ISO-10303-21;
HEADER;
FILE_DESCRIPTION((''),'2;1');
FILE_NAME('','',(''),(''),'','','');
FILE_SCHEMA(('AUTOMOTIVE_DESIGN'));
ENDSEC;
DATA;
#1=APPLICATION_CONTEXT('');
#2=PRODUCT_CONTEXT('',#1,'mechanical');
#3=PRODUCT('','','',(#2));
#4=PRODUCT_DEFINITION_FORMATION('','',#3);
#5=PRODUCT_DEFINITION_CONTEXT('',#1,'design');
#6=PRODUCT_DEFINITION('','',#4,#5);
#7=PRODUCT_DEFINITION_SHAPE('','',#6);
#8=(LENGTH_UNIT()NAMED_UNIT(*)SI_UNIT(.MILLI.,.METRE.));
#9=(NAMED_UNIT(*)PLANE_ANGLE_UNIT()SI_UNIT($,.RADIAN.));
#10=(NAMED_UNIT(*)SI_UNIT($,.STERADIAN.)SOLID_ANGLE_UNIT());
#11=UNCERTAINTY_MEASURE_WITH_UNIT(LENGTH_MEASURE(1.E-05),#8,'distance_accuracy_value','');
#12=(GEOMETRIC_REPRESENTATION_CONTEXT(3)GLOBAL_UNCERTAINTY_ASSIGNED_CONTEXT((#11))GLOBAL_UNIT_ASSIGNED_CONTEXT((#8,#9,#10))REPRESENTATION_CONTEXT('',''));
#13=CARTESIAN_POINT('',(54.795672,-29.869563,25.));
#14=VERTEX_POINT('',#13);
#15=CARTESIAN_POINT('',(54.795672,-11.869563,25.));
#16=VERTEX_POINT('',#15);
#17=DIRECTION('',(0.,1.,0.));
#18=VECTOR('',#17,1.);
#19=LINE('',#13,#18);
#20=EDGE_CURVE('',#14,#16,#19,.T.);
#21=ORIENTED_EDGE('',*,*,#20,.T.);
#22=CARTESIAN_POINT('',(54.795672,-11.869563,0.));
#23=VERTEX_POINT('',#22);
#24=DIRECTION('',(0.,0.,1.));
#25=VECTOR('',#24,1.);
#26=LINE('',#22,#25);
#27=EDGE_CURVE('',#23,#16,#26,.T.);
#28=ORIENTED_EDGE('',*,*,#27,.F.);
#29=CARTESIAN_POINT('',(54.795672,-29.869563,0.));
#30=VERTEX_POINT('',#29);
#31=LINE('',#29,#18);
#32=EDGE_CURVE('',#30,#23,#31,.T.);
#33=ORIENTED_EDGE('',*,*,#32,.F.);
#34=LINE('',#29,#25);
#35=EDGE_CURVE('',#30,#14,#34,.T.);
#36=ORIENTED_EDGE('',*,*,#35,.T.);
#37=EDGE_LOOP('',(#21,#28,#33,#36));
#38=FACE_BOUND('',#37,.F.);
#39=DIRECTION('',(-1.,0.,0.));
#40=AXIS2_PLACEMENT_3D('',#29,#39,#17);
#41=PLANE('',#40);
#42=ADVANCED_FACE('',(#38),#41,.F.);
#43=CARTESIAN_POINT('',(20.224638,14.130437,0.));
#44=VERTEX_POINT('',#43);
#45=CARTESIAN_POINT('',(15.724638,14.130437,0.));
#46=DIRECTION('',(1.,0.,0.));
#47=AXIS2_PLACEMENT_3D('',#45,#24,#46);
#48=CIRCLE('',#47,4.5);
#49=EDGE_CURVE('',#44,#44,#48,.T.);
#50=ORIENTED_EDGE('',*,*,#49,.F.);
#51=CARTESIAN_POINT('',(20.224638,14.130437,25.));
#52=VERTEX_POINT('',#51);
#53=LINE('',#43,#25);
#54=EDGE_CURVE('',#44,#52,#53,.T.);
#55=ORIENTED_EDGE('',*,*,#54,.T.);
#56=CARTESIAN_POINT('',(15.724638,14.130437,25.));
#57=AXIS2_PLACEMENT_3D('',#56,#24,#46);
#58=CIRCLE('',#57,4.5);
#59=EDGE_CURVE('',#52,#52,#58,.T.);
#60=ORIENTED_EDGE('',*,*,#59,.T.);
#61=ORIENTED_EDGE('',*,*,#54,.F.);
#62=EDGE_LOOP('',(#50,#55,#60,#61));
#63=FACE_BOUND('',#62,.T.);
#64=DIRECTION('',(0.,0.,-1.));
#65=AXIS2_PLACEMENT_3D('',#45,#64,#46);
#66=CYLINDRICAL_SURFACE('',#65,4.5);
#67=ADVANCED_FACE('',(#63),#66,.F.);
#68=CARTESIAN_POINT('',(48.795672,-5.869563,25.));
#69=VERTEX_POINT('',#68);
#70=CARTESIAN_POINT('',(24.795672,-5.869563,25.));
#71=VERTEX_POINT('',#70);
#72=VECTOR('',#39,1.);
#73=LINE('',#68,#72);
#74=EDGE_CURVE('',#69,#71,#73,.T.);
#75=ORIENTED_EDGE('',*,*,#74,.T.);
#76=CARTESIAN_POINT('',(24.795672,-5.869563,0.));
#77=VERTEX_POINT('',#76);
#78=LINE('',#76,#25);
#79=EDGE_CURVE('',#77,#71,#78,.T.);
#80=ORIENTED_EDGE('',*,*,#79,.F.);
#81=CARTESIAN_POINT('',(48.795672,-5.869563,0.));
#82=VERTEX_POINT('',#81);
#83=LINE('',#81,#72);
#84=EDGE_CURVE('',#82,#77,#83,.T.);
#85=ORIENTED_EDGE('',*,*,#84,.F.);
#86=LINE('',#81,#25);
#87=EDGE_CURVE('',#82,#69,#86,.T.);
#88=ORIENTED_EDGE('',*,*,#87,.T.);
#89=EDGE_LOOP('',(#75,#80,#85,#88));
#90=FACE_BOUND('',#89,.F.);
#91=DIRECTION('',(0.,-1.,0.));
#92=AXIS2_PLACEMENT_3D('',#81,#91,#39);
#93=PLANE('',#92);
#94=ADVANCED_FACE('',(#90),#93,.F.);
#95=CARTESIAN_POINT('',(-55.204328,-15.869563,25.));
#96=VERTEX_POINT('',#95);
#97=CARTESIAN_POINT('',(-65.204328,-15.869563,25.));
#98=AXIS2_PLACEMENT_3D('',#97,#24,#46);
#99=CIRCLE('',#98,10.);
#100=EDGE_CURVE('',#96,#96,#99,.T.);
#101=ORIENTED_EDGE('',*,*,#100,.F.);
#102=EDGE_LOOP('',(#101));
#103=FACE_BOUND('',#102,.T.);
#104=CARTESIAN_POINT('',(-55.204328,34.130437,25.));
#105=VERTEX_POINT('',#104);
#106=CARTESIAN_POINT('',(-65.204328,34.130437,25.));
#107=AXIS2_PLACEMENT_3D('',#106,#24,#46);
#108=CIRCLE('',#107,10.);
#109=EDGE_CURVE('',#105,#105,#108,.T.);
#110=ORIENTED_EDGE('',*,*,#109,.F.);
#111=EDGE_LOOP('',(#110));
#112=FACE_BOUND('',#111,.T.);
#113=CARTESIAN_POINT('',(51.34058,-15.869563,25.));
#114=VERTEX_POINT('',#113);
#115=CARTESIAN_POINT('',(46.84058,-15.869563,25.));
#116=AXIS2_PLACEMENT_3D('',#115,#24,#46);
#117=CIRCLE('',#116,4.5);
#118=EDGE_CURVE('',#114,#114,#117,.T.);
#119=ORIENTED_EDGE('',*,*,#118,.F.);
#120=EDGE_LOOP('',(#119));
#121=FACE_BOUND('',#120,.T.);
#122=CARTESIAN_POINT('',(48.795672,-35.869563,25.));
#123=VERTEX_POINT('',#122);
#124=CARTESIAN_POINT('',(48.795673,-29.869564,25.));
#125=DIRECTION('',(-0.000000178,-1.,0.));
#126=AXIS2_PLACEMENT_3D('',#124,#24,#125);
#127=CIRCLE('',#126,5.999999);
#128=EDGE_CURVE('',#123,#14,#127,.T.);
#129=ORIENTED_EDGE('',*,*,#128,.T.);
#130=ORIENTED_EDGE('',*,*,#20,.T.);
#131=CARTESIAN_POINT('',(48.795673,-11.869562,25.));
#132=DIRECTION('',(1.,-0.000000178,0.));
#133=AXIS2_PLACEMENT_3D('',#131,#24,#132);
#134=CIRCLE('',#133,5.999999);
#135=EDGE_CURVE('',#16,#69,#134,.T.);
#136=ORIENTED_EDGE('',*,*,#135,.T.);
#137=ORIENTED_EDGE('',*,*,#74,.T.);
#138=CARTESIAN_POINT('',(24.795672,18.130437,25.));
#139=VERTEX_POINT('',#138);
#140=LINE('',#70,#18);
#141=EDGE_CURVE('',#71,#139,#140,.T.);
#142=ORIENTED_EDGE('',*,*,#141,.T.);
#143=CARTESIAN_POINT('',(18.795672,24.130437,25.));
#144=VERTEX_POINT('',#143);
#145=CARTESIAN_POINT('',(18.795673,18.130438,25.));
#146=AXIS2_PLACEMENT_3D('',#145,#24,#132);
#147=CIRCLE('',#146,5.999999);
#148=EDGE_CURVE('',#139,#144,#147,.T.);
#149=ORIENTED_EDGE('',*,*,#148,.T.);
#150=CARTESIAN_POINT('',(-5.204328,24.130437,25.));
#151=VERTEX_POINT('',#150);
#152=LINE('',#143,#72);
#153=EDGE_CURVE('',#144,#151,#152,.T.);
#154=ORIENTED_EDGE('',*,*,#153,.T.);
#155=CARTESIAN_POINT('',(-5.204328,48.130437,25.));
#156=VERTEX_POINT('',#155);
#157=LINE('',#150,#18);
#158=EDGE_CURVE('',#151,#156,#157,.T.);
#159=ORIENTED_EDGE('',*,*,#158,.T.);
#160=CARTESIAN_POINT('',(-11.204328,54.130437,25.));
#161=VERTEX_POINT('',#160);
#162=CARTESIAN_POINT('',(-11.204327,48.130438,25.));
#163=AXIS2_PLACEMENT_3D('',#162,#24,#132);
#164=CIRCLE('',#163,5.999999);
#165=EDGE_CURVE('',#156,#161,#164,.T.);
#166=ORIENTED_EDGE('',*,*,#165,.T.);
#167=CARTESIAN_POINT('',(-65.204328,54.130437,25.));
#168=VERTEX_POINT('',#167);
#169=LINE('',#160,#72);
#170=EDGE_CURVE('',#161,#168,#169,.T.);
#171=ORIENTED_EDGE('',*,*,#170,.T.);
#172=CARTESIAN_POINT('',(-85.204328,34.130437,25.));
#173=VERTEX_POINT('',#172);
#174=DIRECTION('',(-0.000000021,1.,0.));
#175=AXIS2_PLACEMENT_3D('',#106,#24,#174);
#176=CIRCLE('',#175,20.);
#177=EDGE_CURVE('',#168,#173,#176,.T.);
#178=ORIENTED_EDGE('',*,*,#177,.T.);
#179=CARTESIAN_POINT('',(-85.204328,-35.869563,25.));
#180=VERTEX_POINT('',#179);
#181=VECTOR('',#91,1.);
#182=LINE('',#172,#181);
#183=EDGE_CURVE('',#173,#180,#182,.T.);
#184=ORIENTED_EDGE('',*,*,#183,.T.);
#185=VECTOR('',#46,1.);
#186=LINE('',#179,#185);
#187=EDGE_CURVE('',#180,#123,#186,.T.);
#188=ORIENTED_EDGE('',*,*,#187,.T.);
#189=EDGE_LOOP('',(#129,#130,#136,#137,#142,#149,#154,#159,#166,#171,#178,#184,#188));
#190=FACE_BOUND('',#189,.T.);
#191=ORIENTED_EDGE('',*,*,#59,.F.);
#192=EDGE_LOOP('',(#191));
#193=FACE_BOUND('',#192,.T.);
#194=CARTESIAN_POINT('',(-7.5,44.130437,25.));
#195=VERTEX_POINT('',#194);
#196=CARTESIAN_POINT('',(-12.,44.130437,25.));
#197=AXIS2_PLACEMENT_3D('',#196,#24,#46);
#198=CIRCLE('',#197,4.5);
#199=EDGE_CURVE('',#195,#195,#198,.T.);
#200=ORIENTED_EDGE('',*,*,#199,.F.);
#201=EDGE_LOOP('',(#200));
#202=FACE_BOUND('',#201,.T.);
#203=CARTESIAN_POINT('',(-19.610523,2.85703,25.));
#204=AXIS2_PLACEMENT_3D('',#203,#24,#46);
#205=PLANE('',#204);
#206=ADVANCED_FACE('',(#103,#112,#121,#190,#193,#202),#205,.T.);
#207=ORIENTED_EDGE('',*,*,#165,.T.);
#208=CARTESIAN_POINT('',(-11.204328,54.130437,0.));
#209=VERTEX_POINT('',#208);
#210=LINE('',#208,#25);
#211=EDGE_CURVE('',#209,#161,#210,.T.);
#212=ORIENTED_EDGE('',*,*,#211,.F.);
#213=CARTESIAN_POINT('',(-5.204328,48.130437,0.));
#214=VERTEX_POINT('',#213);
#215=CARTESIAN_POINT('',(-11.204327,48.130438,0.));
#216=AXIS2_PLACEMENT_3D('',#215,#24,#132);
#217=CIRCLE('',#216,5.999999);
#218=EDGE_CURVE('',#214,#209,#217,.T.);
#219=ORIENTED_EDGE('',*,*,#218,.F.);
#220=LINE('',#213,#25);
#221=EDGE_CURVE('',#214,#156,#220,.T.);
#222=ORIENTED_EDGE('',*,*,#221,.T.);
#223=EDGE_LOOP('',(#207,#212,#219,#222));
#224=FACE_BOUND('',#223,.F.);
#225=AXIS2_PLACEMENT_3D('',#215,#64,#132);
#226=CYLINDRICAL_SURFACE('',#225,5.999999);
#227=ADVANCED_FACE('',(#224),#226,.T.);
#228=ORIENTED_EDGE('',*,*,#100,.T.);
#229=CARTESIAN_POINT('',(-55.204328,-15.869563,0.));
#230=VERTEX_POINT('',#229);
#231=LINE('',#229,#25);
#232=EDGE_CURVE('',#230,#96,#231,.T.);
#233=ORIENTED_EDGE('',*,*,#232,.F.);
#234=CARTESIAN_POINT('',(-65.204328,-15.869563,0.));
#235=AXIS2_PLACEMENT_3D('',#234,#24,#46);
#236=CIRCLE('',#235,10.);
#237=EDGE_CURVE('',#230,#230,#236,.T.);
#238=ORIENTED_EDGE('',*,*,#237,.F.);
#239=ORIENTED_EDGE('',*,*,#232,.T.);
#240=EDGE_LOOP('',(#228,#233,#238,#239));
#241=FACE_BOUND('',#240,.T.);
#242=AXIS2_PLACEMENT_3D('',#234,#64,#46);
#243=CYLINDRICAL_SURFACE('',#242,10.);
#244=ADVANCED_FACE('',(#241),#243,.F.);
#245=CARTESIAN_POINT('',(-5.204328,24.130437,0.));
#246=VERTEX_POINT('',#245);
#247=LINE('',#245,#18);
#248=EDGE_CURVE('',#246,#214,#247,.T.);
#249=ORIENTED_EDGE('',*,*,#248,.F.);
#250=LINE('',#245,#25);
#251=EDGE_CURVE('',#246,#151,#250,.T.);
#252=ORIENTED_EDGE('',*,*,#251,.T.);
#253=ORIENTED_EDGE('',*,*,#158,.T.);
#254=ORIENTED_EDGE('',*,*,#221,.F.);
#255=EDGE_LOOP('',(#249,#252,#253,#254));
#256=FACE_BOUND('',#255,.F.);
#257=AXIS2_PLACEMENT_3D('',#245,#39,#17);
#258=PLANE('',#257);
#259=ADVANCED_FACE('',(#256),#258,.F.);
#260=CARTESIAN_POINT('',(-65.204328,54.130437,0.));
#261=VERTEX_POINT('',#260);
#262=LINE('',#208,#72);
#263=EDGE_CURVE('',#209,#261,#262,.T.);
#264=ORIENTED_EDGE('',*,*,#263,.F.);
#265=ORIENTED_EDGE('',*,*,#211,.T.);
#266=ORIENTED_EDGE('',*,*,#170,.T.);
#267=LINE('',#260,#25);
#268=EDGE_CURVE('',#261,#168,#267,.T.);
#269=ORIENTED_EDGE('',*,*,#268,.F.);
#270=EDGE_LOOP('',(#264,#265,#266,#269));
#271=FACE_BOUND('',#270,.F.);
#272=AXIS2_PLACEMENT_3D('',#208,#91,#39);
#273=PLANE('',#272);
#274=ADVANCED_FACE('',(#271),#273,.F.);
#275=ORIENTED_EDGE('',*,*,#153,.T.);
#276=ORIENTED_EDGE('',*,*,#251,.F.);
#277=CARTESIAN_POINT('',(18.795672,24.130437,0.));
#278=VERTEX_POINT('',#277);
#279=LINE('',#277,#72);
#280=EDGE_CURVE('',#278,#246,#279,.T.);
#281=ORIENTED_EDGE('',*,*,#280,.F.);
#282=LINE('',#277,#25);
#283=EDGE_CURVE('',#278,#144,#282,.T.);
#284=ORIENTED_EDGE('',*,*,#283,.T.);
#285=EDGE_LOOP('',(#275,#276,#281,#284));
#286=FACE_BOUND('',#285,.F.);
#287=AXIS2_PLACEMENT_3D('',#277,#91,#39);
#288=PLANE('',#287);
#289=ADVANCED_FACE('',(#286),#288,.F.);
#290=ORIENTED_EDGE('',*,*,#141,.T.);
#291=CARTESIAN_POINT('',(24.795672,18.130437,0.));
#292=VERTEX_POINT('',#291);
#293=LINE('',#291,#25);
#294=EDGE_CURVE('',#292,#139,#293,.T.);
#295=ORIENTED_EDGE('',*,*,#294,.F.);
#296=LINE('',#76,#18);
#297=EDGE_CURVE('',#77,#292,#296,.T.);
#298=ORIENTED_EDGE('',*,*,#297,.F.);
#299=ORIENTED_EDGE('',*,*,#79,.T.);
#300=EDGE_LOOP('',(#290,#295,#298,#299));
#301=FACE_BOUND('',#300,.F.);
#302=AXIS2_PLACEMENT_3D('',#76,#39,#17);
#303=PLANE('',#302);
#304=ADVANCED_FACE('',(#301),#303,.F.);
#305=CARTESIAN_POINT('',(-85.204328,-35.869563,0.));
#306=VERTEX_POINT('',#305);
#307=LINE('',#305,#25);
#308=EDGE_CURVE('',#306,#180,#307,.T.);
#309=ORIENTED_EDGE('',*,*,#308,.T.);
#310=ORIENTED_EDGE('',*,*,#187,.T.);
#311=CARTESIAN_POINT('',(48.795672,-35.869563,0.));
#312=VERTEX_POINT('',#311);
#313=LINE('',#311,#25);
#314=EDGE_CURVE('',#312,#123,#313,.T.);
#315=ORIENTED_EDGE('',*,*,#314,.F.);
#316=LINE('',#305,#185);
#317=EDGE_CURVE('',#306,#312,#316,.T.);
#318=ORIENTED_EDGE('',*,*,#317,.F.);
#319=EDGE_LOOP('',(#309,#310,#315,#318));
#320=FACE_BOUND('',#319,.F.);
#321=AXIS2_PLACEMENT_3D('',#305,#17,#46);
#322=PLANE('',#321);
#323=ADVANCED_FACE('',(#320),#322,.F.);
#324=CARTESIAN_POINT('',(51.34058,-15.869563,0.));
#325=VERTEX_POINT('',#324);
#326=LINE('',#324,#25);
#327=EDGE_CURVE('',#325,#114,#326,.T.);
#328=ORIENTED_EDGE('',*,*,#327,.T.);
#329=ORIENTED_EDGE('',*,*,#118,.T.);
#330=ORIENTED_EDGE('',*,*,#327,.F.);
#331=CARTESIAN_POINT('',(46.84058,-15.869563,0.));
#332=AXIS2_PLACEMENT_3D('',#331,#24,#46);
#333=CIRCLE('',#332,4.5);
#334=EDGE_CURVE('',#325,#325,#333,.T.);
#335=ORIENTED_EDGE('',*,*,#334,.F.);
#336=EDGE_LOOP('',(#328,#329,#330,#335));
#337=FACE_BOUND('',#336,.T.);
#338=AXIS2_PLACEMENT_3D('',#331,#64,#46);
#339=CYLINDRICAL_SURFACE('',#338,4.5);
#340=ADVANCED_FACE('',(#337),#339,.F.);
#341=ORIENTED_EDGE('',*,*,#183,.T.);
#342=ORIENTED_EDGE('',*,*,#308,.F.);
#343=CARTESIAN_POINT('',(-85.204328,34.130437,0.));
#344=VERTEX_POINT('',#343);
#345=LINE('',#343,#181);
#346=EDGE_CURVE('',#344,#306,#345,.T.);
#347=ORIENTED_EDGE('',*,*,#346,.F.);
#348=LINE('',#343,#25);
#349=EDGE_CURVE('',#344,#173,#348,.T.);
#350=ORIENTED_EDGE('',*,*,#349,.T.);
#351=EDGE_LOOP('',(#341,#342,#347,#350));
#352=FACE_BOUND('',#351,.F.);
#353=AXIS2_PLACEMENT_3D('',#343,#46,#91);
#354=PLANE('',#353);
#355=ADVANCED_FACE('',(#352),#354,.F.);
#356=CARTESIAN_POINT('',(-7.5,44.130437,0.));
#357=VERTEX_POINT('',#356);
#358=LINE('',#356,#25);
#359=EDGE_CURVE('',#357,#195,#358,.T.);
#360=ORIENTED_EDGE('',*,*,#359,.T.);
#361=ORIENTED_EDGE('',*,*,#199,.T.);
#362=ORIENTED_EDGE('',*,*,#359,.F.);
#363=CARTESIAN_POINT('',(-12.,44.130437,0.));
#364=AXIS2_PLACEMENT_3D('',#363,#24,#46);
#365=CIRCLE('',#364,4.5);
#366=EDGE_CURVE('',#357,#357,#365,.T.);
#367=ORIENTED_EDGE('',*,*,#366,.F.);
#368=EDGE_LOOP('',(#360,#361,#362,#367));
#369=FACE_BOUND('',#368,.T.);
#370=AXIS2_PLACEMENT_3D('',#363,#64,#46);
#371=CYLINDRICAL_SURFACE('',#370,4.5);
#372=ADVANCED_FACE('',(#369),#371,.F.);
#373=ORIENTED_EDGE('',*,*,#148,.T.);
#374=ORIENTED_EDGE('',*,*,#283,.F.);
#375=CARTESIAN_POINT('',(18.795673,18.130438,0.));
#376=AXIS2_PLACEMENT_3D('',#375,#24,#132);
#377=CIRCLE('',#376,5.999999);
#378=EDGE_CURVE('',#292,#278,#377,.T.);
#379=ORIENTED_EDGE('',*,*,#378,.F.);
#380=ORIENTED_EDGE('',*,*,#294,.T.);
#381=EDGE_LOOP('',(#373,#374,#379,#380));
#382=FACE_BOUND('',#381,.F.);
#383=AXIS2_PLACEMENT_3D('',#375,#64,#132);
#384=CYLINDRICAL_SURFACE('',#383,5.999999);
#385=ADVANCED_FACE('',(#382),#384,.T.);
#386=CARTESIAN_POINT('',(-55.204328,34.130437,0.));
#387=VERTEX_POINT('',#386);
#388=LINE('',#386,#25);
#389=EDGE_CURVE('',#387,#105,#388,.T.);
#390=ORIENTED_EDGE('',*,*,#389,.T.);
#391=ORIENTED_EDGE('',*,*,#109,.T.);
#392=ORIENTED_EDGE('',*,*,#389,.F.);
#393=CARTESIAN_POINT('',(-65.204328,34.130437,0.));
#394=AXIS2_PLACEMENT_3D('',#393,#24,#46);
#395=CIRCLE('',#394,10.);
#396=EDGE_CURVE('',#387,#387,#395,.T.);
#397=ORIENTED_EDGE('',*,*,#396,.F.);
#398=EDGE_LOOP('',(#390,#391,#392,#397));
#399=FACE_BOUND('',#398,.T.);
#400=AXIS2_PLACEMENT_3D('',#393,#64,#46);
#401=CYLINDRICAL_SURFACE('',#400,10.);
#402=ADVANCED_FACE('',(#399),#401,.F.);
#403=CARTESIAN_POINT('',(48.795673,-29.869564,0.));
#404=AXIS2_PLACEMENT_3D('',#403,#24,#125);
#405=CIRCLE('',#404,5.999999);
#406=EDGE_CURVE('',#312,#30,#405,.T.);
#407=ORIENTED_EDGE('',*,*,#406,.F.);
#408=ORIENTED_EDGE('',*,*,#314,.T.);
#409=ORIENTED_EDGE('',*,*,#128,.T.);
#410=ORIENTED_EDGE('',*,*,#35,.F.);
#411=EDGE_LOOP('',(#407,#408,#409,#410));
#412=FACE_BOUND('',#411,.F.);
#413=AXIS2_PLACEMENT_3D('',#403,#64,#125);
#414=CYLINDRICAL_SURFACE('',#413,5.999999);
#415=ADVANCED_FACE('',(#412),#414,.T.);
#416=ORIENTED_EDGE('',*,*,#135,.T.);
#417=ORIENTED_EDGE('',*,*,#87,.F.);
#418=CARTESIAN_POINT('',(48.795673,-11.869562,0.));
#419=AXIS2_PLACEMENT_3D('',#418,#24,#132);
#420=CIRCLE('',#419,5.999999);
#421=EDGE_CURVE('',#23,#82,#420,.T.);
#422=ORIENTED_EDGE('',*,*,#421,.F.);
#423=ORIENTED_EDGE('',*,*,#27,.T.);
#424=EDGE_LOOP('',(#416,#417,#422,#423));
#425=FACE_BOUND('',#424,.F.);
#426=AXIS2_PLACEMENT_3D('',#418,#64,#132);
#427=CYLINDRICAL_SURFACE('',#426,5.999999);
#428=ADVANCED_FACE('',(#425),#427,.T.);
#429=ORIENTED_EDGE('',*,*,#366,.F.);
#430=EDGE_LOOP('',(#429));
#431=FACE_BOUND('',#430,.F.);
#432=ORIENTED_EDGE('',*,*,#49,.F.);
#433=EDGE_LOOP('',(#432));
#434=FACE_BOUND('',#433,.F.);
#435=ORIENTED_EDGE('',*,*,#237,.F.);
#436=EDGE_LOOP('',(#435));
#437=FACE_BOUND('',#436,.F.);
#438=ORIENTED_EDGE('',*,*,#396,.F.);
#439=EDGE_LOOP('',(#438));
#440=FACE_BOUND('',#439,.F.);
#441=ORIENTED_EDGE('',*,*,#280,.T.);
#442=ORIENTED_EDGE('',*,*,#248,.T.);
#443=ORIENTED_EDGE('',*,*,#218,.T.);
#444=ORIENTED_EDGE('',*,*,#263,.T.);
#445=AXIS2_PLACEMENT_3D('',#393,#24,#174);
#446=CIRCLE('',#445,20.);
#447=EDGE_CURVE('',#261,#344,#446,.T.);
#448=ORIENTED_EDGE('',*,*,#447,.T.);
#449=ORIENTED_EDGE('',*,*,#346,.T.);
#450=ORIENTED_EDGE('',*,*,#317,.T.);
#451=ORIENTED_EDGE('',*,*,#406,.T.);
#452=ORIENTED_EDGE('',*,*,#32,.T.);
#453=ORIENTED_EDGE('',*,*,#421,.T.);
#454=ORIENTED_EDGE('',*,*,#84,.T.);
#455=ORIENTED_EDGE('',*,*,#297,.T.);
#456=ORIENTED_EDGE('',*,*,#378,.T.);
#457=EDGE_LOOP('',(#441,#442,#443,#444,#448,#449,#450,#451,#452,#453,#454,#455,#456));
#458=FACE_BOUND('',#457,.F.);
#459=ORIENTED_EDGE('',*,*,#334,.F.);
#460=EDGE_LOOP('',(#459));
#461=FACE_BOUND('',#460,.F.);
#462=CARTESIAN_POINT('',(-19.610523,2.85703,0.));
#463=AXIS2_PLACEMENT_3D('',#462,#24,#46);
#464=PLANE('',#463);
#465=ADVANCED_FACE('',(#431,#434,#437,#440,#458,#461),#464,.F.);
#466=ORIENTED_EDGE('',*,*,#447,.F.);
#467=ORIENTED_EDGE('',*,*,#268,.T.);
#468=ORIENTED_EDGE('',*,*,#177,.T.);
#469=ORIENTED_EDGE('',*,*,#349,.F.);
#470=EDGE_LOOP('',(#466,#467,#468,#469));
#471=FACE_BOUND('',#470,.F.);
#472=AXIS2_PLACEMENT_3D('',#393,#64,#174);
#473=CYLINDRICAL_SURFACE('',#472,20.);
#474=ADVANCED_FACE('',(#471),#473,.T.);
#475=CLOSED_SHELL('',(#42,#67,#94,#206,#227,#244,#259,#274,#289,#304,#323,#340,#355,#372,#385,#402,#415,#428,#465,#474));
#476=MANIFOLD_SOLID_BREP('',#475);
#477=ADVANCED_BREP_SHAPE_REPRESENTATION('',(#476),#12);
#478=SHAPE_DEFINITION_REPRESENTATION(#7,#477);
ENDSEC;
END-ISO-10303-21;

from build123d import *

# Parameters (mm, degrees)
F0_R     = 10
F0_R_2   = 4.5
F1_DEPTH = 25


with BuildPart() as f1:
    # F0 (on Top) → F1 (new body)
    with BuildSketch(Plane.XY):
        with BuildLine():
            ThreePointArc((-65.204328, 54.130437), (-79.346463, 48.272573), (-85.204328, 34.130437))
            Line((-85.204328, 34.130437), (-85.204328, -15.869563))
            ThreePointArc((-85.204328, -15.869563), (-79.346463, -30.011699), (-65.204328, -35.869563))
            Line((-65.204328, -35.869563), (48.795672, -35.869563))
            ThreePointArc((48.795672, -35.869563), (53.038313, -34.112204), (54.795672, -29.869563))
            Line((54.795672, -29.869563), (54.795672, -11.869563))
            ThreePointArc((54.795672, -11.869563), (53.038313, -7.626922), (48.795672, -5.869563))
            Line((48.795672, -5.869563), (24.795672, -5.869563))
            Line((24.795672, -5.869563), (24.795672, 18.130437))
            ThreePointArc((24.795672, 18.130437), (23.038313, 22.373078), (18.795672, 24.130437))
            Line((18.795672, 24.130437), (-5.204328, 24.130437))
            Line((-5.204328, 24.130437), (-5.204328, 48.130437))
            ThreePointArc((-5.204328, 48.130437), (-6.961687, 52.373078), (-11.204328, 54.130437))
            Line((-11.204328, 54.130437), (-65.204328, 54.130437))
        make_face()
        with Locations((-65.204328, -15.869563)):
            Circle(F0_R, mode=Mode.SUBTRACT)
        with Locations((46.84058, -15.869563)):
            Circle(F0_R_2, mode=Mode.SUBTRACT)
        with Locations((-65.204328, 34.130437)):
            Circle(F0_R, mode=Mode.SUBTRACT)
        with Locations((15.724638, 14.130437)):
            Circle(F0_R_2, mode=Mode.SUBTRACT)
        with Locations((-12, 44.130437)):
            Circle(F0_R_2, mode=Mode.SUBTRACT)
        with BuildLine():
            ThreePointArc((-65.204328, -35.869563), (-79.346463, -30.011699), (-85.204328, -15.869563))
            Line((-85.204328, -15.869563), (-85.204328, -35.869563))
            Line((-85.204328, -35.869563), (-65.204328, -35.869563))
        make_face()
    extrude(amount=F1_DEPTH)


solid = f1.part
